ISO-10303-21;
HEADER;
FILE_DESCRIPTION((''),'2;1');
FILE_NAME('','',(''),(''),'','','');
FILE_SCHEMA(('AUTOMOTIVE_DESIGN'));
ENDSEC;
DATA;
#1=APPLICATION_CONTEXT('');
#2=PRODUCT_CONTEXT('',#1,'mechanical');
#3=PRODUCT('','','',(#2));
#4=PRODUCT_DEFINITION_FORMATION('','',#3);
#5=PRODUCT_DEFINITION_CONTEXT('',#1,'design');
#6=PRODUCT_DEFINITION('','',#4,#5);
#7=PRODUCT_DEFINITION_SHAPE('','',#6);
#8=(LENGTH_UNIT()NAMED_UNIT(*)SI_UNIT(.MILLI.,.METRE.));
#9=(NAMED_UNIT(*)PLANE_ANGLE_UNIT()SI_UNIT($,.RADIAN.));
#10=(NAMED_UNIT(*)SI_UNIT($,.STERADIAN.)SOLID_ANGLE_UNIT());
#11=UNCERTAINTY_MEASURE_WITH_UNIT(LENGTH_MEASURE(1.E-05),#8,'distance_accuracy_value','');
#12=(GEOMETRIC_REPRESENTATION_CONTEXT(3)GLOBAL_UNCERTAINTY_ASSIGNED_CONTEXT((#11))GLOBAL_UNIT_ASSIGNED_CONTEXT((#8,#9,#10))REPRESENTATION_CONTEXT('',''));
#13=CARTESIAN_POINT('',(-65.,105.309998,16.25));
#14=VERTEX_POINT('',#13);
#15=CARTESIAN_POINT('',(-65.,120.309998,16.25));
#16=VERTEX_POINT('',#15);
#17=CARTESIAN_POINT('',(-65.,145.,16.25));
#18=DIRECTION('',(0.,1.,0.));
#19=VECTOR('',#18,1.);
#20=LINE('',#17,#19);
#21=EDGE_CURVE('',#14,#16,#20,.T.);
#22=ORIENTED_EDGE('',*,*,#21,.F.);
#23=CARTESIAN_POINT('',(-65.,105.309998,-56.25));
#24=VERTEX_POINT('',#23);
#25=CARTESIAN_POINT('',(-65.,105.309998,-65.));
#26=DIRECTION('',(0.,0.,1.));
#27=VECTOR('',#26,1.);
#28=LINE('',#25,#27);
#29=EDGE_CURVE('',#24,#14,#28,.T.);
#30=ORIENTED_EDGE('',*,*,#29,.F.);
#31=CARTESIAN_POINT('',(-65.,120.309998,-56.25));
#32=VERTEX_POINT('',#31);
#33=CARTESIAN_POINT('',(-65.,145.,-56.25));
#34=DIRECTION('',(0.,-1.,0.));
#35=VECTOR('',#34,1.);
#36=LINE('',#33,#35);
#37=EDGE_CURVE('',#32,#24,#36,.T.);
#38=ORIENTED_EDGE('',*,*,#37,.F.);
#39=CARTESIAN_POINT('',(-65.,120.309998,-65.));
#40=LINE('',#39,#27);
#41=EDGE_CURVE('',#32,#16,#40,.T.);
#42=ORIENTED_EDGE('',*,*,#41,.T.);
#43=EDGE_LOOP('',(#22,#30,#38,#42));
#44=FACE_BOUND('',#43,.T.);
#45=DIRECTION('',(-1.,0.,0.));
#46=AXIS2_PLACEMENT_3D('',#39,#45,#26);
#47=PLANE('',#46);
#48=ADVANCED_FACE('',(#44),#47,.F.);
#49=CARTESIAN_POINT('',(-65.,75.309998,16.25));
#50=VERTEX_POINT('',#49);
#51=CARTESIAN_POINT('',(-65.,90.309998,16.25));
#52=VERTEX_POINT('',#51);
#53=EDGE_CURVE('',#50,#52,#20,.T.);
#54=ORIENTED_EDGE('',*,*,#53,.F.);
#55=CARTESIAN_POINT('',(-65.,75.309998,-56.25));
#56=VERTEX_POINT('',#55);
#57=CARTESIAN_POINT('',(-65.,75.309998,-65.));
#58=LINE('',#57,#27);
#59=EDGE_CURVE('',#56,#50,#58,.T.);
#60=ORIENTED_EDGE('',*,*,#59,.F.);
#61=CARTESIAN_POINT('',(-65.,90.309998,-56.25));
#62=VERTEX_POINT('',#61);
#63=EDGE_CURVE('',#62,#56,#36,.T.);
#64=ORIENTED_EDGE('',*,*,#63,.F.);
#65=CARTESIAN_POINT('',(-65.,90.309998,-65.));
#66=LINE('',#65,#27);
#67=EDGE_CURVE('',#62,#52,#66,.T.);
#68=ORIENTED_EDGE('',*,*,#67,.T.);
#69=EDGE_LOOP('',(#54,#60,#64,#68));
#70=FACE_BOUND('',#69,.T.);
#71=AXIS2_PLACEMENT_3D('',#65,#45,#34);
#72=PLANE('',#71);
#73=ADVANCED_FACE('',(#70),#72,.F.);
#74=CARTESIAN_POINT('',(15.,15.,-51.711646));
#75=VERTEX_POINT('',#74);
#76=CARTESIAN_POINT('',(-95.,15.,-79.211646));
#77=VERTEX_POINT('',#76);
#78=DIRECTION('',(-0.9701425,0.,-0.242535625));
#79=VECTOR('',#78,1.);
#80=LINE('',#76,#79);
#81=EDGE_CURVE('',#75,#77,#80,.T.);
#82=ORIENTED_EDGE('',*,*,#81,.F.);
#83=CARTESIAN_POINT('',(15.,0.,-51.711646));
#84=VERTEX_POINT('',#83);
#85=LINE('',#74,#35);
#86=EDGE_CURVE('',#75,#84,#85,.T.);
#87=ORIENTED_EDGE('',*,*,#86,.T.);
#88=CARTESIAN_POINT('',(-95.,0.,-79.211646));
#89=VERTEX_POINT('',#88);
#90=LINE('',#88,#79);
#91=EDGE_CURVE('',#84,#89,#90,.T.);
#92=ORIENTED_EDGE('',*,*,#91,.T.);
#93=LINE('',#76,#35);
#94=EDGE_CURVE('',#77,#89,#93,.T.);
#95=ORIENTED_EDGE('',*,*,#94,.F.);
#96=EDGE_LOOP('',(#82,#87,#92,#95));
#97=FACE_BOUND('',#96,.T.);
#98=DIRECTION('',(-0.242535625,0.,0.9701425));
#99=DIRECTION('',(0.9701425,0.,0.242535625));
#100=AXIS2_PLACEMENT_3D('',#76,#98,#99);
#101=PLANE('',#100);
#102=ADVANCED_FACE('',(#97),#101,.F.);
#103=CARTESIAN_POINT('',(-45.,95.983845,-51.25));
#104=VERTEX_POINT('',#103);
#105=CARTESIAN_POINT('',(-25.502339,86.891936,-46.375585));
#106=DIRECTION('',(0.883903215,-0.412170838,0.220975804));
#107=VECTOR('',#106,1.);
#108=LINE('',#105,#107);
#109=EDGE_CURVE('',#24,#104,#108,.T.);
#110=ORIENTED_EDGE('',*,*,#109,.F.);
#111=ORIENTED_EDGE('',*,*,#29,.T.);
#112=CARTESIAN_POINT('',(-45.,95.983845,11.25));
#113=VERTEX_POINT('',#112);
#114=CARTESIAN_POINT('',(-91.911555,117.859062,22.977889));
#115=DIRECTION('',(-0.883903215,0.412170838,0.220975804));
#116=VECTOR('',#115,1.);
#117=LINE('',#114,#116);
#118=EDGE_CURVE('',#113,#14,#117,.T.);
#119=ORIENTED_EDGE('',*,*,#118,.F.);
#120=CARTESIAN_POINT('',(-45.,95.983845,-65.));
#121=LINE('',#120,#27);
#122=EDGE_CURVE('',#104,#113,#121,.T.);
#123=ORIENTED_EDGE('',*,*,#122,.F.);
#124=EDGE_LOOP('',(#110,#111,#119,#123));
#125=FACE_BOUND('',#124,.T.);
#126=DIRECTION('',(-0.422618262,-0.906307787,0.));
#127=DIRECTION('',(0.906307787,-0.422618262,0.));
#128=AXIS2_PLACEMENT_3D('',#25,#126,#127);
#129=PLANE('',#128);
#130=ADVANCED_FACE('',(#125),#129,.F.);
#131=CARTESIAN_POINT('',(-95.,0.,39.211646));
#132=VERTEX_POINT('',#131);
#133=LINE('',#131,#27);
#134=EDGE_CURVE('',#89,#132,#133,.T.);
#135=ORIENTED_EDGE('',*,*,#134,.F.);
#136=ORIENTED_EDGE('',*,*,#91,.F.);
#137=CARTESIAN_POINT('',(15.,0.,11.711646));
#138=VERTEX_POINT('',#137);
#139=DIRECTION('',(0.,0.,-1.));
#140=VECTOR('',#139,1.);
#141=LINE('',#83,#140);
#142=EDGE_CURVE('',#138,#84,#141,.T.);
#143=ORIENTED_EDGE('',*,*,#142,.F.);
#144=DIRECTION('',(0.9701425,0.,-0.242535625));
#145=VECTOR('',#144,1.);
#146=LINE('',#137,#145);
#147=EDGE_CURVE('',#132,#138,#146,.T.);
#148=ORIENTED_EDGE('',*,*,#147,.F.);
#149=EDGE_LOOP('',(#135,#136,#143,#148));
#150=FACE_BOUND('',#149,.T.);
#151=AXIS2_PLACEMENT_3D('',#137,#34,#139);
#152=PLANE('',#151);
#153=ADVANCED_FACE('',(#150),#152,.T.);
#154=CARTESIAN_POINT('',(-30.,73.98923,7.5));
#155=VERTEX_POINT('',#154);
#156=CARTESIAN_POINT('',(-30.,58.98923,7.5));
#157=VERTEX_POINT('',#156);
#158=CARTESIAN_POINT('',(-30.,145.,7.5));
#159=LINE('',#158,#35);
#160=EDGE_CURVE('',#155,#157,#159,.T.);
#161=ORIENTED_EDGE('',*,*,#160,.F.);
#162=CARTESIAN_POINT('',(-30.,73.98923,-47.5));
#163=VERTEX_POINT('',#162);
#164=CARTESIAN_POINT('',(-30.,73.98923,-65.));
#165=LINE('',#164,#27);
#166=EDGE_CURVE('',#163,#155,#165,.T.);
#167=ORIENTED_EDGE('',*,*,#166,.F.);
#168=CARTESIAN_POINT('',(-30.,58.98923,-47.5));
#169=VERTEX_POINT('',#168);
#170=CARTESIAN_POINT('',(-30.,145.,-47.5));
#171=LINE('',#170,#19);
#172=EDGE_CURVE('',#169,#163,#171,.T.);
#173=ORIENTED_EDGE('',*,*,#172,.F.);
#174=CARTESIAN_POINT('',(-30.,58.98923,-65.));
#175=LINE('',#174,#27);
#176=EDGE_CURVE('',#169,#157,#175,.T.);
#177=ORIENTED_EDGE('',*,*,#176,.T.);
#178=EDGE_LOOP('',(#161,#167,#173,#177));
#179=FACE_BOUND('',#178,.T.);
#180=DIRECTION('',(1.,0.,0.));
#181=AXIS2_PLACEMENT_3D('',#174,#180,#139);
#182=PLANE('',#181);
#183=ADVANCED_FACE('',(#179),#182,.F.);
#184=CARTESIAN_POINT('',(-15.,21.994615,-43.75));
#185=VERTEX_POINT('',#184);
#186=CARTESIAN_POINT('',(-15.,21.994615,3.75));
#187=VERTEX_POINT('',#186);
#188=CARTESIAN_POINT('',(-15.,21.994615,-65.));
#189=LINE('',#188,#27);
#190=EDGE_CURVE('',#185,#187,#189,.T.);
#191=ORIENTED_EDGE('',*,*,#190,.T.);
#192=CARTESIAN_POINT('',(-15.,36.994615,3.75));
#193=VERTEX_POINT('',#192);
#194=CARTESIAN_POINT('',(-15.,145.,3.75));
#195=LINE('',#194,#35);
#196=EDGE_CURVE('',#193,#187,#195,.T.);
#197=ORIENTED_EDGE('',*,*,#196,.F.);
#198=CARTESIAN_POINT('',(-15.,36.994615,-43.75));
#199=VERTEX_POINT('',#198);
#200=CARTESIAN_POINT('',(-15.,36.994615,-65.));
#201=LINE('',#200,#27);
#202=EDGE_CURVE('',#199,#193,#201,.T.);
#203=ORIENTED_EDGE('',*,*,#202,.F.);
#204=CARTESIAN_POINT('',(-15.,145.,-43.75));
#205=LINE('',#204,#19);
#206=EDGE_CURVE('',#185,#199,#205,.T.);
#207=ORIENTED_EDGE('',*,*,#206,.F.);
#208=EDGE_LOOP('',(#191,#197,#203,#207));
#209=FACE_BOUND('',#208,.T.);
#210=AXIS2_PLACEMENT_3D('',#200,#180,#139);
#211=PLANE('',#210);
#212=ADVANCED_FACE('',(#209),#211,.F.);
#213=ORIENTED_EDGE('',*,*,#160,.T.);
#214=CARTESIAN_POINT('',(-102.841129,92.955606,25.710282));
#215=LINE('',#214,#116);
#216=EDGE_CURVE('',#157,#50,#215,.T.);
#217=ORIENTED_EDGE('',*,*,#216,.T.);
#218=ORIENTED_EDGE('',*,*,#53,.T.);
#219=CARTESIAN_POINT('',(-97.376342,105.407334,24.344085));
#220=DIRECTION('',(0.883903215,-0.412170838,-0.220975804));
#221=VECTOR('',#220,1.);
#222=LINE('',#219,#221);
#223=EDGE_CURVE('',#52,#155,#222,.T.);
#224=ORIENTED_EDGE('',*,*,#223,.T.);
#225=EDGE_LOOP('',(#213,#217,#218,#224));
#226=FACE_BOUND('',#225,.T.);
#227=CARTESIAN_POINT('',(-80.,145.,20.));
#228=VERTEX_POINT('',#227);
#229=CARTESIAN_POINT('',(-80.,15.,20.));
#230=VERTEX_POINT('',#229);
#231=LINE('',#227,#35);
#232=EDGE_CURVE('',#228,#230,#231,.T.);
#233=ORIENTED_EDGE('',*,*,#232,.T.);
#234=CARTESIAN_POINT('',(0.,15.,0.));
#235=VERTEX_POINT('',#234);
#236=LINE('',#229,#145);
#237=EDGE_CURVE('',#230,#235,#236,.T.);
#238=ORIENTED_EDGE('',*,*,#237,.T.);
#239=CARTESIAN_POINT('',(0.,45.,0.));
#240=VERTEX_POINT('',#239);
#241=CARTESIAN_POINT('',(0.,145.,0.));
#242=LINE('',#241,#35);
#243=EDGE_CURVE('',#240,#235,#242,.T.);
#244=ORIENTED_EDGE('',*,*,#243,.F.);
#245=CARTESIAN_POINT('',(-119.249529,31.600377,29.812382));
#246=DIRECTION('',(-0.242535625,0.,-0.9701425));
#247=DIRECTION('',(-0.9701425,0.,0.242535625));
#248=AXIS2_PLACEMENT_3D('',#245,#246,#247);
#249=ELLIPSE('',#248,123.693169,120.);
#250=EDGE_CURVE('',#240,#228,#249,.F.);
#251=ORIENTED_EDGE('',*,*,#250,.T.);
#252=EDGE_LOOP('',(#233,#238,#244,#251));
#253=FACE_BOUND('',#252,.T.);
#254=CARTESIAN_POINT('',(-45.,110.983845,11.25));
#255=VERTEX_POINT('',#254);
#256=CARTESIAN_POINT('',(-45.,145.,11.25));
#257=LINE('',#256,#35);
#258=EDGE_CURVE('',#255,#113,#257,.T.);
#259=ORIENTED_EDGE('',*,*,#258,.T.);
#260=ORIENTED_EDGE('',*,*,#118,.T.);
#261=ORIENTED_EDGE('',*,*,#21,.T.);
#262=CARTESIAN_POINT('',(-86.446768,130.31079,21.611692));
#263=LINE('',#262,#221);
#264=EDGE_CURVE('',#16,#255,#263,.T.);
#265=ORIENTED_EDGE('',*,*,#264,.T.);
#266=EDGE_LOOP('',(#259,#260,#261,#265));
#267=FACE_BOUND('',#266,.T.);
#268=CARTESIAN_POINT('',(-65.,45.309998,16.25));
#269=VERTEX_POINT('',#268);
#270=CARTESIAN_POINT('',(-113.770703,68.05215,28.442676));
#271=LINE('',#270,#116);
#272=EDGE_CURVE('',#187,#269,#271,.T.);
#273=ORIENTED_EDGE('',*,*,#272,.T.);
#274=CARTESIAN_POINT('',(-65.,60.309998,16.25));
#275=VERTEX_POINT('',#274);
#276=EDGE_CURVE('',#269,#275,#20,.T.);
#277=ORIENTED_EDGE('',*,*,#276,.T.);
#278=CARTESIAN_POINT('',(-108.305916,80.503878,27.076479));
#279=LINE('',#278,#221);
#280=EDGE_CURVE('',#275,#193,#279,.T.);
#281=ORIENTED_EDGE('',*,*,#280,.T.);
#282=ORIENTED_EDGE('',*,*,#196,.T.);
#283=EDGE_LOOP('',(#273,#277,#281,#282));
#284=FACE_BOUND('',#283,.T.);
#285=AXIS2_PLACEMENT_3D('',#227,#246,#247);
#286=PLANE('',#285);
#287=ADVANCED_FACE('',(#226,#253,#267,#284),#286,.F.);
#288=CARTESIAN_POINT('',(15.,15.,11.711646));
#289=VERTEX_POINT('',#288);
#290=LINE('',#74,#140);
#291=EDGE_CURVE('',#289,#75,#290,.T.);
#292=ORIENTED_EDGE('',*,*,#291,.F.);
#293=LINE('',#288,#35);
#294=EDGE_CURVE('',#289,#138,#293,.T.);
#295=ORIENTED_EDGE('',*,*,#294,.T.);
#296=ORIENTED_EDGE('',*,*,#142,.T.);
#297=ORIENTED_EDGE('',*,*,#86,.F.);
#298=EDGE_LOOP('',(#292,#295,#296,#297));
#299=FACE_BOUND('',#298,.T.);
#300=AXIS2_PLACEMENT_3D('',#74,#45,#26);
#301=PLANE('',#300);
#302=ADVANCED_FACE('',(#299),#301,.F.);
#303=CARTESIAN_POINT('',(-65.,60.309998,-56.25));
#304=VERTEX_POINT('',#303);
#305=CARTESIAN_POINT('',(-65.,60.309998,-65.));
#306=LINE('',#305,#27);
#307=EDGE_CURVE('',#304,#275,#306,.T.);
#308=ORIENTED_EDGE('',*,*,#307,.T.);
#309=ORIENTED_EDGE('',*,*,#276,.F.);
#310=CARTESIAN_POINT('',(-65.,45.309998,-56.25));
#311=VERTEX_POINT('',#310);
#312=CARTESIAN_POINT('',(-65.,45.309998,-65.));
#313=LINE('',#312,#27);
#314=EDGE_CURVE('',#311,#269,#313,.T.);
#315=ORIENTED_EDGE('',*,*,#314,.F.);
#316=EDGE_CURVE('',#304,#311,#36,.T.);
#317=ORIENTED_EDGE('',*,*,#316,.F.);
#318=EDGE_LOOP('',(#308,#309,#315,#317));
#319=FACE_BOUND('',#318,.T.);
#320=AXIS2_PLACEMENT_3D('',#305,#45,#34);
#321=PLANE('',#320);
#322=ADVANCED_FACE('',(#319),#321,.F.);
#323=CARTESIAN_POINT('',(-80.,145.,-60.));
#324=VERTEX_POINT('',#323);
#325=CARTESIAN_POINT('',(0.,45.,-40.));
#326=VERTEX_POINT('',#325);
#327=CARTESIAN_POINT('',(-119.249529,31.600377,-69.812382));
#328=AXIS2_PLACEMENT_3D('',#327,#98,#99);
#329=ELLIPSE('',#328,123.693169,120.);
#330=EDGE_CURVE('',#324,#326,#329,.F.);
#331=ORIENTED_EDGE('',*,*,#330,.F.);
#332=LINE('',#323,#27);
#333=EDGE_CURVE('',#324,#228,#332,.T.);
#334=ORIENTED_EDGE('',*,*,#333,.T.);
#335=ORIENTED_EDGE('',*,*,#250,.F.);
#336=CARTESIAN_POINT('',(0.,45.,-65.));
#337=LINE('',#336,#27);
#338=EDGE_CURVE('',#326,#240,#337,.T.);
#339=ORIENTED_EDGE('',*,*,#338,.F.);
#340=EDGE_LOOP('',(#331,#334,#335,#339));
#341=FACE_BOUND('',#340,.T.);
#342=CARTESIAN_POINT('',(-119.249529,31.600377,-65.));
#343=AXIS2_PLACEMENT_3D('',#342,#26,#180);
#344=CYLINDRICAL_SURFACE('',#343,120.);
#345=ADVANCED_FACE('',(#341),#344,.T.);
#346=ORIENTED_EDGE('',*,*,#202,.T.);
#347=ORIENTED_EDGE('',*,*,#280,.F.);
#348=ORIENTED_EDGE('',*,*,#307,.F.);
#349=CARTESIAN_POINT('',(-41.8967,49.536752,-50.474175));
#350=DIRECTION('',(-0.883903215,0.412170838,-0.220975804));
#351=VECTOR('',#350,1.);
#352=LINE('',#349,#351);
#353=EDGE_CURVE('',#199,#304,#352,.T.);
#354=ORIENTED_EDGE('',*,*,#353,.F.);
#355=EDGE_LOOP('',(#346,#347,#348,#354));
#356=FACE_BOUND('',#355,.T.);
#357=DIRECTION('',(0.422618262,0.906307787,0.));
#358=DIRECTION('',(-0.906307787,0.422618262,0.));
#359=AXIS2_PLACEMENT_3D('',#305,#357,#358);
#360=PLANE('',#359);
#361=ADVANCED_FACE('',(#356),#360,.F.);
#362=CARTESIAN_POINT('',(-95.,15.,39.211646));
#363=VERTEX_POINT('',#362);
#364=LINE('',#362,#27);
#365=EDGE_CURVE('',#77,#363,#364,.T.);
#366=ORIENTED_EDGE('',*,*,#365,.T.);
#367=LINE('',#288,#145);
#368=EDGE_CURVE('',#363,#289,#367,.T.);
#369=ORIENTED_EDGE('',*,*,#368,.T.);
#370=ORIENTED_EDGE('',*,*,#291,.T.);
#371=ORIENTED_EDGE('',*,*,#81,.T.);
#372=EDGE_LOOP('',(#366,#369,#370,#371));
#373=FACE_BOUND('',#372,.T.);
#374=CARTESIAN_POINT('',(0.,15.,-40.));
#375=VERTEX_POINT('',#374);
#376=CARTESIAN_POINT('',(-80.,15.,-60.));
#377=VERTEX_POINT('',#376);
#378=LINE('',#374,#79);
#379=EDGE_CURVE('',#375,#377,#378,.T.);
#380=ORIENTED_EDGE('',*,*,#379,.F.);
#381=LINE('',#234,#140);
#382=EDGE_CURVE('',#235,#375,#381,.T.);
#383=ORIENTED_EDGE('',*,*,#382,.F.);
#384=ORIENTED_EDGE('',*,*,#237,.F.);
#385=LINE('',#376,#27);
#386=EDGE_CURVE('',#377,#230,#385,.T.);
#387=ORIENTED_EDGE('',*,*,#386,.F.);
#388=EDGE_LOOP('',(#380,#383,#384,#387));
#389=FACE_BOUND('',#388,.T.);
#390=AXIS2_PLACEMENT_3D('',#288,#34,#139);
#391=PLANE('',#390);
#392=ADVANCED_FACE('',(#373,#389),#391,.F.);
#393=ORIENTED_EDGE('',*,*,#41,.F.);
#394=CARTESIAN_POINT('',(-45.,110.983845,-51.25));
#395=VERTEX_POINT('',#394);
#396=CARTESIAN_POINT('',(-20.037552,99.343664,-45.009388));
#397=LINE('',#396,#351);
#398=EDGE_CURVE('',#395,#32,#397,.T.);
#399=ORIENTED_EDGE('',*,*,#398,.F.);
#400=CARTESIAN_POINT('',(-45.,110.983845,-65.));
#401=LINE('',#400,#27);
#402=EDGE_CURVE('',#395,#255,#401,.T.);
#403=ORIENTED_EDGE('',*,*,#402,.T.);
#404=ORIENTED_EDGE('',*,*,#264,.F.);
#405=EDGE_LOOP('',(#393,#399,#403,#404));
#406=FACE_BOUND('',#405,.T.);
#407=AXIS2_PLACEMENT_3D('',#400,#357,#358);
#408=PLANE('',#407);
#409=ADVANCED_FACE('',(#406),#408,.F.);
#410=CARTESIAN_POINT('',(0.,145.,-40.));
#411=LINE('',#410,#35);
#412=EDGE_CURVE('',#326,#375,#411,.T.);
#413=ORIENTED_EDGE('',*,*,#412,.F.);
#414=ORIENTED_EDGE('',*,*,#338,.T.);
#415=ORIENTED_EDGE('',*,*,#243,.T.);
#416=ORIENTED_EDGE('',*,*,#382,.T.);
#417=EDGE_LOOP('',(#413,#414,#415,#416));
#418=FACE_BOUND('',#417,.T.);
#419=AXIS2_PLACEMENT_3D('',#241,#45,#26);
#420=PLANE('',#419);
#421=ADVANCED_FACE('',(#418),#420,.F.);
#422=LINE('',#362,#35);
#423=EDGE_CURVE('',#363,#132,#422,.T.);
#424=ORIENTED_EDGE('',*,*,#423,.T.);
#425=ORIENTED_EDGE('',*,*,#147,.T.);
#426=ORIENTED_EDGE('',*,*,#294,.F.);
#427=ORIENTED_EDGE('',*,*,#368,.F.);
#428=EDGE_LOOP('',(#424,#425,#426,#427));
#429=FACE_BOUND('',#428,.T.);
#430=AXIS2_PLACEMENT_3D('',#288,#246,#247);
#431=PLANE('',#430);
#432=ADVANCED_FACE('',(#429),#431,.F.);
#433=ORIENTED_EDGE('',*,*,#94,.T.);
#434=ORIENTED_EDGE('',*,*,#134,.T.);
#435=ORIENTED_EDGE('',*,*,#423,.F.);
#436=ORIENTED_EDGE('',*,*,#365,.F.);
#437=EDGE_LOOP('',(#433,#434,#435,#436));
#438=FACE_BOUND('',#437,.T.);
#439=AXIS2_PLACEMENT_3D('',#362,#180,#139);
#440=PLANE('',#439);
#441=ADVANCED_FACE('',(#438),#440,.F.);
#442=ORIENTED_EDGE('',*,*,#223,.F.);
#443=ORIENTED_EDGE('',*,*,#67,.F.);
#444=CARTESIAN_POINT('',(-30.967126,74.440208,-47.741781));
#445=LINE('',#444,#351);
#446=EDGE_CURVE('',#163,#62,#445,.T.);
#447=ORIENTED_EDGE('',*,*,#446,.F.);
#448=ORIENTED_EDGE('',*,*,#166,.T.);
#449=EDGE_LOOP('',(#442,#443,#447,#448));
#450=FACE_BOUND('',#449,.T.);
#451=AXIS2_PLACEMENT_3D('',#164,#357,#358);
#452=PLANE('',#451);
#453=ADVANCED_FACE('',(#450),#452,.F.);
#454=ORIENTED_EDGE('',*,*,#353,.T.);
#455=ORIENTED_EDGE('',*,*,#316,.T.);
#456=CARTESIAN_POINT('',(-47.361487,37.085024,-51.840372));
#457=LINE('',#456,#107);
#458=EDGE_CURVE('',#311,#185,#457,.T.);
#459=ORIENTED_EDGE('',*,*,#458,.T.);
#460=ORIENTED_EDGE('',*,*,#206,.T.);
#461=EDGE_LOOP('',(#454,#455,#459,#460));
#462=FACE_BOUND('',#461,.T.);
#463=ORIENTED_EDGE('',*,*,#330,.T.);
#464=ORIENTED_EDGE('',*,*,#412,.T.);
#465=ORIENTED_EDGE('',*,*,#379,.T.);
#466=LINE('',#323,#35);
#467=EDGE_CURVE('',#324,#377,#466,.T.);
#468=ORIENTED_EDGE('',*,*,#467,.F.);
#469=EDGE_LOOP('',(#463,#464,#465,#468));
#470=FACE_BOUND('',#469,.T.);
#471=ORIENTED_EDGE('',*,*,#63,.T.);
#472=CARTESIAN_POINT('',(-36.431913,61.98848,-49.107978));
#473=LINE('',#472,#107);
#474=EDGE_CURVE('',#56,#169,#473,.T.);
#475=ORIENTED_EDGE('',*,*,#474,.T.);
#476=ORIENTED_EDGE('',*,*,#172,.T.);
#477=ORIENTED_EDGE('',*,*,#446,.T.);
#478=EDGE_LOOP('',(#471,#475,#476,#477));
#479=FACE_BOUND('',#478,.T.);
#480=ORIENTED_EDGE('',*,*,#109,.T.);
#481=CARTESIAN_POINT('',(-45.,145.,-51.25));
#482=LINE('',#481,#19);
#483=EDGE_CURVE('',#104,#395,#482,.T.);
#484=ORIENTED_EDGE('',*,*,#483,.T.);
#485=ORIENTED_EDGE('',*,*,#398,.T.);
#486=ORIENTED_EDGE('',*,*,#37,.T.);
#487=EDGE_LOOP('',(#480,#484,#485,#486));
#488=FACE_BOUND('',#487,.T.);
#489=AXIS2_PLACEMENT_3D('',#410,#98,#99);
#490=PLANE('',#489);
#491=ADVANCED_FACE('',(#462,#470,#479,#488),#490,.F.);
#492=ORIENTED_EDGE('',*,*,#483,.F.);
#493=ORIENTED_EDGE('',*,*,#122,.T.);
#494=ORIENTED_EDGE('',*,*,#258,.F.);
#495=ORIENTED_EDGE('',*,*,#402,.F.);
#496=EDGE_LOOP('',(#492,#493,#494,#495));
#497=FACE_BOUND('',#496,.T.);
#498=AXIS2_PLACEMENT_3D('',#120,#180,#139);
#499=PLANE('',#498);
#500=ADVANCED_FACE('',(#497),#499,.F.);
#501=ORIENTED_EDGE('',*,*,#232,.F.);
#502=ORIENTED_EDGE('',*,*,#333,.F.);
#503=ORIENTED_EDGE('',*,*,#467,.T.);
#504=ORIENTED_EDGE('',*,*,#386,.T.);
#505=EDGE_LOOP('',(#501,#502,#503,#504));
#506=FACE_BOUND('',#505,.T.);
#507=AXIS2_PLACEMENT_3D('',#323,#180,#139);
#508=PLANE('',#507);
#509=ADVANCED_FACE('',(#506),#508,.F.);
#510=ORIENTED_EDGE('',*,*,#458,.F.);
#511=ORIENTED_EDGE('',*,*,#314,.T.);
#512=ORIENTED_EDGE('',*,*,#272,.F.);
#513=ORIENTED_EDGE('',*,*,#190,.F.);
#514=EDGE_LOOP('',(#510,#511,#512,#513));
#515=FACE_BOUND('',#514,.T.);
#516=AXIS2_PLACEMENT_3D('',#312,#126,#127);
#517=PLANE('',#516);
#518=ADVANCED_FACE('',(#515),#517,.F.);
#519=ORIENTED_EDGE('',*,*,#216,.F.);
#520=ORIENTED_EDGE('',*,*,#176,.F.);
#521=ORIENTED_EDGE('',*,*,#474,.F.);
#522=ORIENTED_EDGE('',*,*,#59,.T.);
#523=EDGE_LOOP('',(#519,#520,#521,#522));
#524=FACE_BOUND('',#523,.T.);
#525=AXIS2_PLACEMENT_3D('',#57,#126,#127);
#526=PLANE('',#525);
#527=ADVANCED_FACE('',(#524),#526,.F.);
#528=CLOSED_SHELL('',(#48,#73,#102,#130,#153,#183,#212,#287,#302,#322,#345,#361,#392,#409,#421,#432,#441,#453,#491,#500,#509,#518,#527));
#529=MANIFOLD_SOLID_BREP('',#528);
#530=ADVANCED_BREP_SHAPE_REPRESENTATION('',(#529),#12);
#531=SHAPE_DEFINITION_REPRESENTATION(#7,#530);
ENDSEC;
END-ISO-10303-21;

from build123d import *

# Parameters (mm, degrees)
EXTRUDE1_DEPTH = 15
EXTRUDE2_DEPTH = 130
EXTRUDE3_DEPTH = 65


with BuildPart() as part:
    # Sketch1 → Extrude1 (new body)
    with BuildSketch(Plane(origin=(0, 0, 0), x_dir=(1, 0, 0), z_dir=(0, 1, 0))):
        Polygon((15, -11.711646096), (-95, -39.211646096), (-95, 79.211646096), (15, 51.711646096), align=None)
    extrude(amount=EXTRUDE1_DEPTH)

    # Sketch2 → Extrude2 (add)
    with BuildSketch(Plane(origin=(0, 15, 0), x_dir=(1, 0, 0), z_dir=(0, 1, 0))):
        Polygon((0, 0), (0, 40), (-80, 60), (-80, -20), align=None)
    extrude(amount=EXTRUDE2_DEPTH)

    # Sketch3 → Extrude3 (cut, symmetric)
    with BuildSketch(Plane.XY):
        with BuildLine():
            Line((-80, 145), (0, 145))
            Line((0, 145), (0, 45))
            ThreePointArc((0, 45), (-25.545271603, 106.563782718), (-80, 145))
        make_face()
        Polygon((-65, 120.30999778), (-65, 105.30999778), (-45, 95.983844617), (-45, 110.983844617), align=None)
        Polygon((-65, 45.30999778), (-15, 21.994614872), (-15, 36.994614872), (-65, 60.30999778), align=None)
        Polygon((-65, 75.30999778), (-30, 58.989229745), (-30, 73.989229745), (-65, 90.30999778), align=None)
    extrude(amount=EXTRUDE3_DEPTH, both=True, mode=Mode.SUBTRACT)


solid = part.part
